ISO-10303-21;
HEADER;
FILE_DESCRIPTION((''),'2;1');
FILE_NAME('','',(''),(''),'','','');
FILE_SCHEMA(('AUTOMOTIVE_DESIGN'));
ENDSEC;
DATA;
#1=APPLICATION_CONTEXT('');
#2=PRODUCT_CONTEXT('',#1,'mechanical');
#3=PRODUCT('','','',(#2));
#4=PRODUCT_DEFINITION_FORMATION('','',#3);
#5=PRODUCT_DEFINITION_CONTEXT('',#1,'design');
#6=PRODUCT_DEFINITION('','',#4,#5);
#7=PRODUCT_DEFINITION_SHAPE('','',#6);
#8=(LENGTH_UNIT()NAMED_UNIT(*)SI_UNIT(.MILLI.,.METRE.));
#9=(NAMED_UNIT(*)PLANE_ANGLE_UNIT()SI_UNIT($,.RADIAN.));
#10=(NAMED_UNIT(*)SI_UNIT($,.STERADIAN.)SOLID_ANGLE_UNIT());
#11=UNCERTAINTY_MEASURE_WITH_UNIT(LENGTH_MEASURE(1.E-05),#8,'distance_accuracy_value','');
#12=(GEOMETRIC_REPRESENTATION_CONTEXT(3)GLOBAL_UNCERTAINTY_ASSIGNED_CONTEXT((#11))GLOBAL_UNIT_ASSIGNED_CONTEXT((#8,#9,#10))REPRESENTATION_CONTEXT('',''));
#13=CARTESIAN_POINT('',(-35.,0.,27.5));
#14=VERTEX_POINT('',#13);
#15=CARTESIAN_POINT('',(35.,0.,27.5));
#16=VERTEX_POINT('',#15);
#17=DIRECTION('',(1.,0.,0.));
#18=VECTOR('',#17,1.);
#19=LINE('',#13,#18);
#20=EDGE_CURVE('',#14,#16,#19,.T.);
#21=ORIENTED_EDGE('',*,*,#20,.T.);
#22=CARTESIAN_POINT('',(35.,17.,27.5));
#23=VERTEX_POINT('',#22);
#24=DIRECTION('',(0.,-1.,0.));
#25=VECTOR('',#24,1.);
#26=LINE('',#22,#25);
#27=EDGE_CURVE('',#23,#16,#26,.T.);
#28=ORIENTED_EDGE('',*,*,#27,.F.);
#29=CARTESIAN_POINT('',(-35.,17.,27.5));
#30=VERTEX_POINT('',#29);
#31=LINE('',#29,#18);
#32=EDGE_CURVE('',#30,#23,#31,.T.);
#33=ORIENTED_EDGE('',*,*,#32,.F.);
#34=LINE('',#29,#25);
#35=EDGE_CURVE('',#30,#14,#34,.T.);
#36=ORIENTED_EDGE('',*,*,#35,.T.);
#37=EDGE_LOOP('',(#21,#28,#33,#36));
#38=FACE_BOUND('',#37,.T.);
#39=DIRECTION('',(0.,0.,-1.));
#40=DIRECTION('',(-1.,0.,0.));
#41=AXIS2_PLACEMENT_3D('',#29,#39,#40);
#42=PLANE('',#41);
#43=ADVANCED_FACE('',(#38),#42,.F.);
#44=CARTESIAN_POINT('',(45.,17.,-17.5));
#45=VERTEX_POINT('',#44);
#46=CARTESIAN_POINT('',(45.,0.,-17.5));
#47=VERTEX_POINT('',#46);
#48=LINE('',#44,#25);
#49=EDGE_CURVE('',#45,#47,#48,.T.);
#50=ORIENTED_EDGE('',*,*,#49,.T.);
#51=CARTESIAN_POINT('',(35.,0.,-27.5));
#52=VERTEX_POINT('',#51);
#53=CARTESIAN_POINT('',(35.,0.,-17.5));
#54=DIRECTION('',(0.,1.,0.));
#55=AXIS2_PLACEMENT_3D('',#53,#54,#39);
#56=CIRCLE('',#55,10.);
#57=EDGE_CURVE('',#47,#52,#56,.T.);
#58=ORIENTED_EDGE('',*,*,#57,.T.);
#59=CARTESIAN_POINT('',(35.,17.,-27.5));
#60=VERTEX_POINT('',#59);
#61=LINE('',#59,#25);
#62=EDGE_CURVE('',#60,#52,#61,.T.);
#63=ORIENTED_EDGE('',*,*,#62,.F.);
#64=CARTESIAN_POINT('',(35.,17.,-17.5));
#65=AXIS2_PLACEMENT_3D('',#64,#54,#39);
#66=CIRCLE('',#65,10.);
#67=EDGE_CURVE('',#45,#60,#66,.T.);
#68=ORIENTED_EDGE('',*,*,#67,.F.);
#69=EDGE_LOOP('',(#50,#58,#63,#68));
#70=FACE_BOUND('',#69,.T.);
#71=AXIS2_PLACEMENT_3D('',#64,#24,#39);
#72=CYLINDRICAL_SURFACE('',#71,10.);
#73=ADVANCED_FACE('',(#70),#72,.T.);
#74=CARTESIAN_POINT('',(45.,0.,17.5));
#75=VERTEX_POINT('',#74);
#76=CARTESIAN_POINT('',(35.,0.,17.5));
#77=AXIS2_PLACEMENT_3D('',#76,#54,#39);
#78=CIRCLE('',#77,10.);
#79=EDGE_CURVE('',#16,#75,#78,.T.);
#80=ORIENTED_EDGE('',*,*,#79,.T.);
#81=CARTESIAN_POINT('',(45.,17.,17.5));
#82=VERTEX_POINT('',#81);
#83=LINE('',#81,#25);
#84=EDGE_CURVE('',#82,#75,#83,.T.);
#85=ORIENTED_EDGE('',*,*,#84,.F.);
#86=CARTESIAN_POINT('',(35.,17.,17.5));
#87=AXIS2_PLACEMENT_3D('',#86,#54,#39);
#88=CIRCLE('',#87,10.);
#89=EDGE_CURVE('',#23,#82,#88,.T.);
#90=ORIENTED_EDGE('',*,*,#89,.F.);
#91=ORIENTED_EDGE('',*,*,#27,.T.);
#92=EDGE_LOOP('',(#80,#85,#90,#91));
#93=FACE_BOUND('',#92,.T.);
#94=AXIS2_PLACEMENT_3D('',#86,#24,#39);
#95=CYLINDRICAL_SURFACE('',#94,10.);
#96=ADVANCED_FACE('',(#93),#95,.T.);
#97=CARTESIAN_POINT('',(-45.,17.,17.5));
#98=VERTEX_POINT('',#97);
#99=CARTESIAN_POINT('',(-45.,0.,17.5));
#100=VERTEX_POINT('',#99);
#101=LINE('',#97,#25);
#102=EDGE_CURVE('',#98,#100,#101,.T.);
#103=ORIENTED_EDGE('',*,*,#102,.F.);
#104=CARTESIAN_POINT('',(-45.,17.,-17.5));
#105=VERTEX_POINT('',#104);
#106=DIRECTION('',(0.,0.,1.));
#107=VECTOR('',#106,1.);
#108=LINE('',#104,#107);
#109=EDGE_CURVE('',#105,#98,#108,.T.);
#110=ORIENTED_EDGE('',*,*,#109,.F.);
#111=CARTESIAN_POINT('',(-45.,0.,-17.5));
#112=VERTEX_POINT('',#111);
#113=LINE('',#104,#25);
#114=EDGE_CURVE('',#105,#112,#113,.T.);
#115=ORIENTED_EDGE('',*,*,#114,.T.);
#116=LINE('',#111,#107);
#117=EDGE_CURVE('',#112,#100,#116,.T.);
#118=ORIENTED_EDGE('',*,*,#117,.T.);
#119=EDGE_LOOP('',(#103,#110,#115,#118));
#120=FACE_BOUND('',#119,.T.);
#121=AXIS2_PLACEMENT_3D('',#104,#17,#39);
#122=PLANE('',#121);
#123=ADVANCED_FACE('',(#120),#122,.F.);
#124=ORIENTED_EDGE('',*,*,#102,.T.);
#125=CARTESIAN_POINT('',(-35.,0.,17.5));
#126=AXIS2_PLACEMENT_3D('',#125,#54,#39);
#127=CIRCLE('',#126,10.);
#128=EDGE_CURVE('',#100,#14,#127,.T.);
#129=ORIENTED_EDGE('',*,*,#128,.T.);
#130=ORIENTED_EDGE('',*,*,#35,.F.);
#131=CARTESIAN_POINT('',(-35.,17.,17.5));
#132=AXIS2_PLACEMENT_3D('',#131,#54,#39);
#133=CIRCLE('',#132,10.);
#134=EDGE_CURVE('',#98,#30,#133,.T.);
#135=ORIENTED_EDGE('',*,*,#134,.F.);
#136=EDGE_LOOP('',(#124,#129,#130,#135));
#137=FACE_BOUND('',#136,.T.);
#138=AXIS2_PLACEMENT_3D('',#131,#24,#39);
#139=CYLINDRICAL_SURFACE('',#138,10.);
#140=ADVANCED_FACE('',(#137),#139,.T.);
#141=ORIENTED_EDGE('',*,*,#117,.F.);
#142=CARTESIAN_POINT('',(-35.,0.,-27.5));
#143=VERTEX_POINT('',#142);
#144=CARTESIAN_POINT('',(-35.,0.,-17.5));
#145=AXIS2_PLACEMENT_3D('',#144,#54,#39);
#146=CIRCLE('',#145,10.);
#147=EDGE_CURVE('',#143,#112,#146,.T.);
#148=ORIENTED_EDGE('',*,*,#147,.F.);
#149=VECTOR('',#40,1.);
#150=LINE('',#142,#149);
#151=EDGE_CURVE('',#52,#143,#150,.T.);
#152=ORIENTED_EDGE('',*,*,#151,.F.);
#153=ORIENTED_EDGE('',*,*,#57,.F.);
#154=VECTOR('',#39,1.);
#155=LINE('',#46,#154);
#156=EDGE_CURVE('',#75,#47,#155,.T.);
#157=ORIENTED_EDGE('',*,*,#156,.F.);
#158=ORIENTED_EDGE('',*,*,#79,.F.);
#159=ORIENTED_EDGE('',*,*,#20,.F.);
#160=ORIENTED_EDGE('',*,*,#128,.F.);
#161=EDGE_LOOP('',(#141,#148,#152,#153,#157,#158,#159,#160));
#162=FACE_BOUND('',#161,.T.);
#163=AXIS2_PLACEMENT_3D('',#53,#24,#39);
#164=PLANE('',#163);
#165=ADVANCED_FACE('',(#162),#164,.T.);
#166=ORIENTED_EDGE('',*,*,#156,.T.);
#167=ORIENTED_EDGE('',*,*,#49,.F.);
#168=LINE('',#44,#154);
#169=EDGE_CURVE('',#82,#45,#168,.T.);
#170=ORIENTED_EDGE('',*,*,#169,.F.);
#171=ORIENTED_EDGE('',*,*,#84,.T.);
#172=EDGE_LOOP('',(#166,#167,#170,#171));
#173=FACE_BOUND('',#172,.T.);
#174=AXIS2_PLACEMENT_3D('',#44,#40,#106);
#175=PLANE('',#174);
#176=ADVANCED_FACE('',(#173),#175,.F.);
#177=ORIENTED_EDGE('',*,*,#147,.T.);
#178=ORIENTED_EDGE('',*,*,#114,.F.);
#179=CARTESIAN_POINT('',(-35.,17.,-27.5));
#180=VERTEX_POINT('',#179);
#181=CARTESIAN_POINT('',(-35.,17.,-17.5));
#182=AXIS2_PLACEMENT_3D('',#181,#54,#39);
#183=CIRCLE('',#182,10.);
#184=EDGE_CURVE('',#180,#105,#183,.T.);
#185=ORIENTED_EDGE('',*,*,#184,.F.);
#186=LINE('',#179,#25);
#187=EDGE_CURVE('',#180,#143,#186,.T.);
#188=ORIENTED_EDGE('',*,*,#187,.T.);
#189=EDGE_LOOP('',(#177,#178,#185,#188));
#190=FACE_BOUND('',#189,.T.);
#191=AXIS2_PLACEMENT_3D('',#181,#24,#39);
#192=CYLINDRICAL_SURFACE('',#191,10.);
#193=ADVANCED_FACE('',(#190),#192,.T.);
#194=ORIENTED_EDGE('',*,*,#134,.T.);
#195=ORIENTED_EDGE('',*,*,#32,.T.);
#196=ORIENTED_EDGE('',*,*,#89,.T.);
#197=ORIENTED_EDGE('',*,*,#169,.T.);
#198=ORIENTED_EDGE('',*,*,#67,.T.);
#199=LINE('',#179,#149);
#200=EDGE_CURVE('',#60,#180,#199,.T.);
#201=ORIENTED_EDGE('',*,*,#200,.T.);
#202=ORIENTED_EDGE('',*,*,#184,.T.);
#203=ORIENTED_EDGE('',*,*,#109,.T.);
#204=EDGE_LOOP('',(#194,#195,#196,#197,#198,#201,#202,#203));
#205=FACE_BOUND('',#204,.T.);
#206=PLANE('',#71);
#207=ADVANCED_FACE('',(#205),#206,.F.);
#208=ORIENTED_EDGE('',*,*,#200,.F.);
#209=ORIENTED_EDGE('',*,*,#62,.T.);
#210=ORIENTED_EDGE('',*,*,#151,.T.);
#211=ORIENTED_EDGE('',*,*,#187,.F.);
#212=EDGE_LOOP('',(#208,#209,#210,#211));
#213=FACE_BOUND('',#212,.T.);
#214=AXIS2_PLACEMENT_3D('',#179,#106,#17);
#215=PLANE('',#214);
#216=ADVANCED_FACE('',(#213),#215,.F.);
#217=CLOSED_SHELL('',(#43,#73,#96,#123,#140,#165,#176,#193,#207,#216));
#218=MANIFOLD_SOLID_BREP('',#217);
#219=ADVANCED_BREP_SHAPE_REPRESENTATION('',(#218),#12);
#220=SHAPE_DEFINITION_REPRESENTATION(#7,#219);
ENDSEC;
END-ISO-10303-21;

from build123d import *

# Parameters (mm, degrees)
BOSS_EXTRUDE1_DEPTH = 17


with BuildPart() as part:
    # Sketch1 → Boss-Extrude1 (new body)
    with BuildSketch(Plane(origin=(0, 0, 0), x_dir=(1, 0, 0), z_dir=(0, 1, 0))):
        with BuildLine():
            Line((-35, 27.5), (35, 27.5))
            ThreePointArc((35, 27.5), (42.071067812, 24.571067812), (45, 17.5))
            Line((45, 17.5), (45, -17.5))
            ThreePointArc((45, -17.5), (42.071067812, -24.571067812), (35, -27.5))
            Line((35, -27.5), (-35, -27.5))
            ThreePointArc((-35, -27.5), (-42.071067812, -24.571067812), (-45, -17.5))
            Line((-45, -17.5), (-45, 17.5))
            ThreePointArc((-45, 17.5), (-42.071067812, 24.571067812), (-35, 27.5))
        make_face()
    extrude(amount=BOSS_EXTRUDE1_DEPTH)


solid = part.part
